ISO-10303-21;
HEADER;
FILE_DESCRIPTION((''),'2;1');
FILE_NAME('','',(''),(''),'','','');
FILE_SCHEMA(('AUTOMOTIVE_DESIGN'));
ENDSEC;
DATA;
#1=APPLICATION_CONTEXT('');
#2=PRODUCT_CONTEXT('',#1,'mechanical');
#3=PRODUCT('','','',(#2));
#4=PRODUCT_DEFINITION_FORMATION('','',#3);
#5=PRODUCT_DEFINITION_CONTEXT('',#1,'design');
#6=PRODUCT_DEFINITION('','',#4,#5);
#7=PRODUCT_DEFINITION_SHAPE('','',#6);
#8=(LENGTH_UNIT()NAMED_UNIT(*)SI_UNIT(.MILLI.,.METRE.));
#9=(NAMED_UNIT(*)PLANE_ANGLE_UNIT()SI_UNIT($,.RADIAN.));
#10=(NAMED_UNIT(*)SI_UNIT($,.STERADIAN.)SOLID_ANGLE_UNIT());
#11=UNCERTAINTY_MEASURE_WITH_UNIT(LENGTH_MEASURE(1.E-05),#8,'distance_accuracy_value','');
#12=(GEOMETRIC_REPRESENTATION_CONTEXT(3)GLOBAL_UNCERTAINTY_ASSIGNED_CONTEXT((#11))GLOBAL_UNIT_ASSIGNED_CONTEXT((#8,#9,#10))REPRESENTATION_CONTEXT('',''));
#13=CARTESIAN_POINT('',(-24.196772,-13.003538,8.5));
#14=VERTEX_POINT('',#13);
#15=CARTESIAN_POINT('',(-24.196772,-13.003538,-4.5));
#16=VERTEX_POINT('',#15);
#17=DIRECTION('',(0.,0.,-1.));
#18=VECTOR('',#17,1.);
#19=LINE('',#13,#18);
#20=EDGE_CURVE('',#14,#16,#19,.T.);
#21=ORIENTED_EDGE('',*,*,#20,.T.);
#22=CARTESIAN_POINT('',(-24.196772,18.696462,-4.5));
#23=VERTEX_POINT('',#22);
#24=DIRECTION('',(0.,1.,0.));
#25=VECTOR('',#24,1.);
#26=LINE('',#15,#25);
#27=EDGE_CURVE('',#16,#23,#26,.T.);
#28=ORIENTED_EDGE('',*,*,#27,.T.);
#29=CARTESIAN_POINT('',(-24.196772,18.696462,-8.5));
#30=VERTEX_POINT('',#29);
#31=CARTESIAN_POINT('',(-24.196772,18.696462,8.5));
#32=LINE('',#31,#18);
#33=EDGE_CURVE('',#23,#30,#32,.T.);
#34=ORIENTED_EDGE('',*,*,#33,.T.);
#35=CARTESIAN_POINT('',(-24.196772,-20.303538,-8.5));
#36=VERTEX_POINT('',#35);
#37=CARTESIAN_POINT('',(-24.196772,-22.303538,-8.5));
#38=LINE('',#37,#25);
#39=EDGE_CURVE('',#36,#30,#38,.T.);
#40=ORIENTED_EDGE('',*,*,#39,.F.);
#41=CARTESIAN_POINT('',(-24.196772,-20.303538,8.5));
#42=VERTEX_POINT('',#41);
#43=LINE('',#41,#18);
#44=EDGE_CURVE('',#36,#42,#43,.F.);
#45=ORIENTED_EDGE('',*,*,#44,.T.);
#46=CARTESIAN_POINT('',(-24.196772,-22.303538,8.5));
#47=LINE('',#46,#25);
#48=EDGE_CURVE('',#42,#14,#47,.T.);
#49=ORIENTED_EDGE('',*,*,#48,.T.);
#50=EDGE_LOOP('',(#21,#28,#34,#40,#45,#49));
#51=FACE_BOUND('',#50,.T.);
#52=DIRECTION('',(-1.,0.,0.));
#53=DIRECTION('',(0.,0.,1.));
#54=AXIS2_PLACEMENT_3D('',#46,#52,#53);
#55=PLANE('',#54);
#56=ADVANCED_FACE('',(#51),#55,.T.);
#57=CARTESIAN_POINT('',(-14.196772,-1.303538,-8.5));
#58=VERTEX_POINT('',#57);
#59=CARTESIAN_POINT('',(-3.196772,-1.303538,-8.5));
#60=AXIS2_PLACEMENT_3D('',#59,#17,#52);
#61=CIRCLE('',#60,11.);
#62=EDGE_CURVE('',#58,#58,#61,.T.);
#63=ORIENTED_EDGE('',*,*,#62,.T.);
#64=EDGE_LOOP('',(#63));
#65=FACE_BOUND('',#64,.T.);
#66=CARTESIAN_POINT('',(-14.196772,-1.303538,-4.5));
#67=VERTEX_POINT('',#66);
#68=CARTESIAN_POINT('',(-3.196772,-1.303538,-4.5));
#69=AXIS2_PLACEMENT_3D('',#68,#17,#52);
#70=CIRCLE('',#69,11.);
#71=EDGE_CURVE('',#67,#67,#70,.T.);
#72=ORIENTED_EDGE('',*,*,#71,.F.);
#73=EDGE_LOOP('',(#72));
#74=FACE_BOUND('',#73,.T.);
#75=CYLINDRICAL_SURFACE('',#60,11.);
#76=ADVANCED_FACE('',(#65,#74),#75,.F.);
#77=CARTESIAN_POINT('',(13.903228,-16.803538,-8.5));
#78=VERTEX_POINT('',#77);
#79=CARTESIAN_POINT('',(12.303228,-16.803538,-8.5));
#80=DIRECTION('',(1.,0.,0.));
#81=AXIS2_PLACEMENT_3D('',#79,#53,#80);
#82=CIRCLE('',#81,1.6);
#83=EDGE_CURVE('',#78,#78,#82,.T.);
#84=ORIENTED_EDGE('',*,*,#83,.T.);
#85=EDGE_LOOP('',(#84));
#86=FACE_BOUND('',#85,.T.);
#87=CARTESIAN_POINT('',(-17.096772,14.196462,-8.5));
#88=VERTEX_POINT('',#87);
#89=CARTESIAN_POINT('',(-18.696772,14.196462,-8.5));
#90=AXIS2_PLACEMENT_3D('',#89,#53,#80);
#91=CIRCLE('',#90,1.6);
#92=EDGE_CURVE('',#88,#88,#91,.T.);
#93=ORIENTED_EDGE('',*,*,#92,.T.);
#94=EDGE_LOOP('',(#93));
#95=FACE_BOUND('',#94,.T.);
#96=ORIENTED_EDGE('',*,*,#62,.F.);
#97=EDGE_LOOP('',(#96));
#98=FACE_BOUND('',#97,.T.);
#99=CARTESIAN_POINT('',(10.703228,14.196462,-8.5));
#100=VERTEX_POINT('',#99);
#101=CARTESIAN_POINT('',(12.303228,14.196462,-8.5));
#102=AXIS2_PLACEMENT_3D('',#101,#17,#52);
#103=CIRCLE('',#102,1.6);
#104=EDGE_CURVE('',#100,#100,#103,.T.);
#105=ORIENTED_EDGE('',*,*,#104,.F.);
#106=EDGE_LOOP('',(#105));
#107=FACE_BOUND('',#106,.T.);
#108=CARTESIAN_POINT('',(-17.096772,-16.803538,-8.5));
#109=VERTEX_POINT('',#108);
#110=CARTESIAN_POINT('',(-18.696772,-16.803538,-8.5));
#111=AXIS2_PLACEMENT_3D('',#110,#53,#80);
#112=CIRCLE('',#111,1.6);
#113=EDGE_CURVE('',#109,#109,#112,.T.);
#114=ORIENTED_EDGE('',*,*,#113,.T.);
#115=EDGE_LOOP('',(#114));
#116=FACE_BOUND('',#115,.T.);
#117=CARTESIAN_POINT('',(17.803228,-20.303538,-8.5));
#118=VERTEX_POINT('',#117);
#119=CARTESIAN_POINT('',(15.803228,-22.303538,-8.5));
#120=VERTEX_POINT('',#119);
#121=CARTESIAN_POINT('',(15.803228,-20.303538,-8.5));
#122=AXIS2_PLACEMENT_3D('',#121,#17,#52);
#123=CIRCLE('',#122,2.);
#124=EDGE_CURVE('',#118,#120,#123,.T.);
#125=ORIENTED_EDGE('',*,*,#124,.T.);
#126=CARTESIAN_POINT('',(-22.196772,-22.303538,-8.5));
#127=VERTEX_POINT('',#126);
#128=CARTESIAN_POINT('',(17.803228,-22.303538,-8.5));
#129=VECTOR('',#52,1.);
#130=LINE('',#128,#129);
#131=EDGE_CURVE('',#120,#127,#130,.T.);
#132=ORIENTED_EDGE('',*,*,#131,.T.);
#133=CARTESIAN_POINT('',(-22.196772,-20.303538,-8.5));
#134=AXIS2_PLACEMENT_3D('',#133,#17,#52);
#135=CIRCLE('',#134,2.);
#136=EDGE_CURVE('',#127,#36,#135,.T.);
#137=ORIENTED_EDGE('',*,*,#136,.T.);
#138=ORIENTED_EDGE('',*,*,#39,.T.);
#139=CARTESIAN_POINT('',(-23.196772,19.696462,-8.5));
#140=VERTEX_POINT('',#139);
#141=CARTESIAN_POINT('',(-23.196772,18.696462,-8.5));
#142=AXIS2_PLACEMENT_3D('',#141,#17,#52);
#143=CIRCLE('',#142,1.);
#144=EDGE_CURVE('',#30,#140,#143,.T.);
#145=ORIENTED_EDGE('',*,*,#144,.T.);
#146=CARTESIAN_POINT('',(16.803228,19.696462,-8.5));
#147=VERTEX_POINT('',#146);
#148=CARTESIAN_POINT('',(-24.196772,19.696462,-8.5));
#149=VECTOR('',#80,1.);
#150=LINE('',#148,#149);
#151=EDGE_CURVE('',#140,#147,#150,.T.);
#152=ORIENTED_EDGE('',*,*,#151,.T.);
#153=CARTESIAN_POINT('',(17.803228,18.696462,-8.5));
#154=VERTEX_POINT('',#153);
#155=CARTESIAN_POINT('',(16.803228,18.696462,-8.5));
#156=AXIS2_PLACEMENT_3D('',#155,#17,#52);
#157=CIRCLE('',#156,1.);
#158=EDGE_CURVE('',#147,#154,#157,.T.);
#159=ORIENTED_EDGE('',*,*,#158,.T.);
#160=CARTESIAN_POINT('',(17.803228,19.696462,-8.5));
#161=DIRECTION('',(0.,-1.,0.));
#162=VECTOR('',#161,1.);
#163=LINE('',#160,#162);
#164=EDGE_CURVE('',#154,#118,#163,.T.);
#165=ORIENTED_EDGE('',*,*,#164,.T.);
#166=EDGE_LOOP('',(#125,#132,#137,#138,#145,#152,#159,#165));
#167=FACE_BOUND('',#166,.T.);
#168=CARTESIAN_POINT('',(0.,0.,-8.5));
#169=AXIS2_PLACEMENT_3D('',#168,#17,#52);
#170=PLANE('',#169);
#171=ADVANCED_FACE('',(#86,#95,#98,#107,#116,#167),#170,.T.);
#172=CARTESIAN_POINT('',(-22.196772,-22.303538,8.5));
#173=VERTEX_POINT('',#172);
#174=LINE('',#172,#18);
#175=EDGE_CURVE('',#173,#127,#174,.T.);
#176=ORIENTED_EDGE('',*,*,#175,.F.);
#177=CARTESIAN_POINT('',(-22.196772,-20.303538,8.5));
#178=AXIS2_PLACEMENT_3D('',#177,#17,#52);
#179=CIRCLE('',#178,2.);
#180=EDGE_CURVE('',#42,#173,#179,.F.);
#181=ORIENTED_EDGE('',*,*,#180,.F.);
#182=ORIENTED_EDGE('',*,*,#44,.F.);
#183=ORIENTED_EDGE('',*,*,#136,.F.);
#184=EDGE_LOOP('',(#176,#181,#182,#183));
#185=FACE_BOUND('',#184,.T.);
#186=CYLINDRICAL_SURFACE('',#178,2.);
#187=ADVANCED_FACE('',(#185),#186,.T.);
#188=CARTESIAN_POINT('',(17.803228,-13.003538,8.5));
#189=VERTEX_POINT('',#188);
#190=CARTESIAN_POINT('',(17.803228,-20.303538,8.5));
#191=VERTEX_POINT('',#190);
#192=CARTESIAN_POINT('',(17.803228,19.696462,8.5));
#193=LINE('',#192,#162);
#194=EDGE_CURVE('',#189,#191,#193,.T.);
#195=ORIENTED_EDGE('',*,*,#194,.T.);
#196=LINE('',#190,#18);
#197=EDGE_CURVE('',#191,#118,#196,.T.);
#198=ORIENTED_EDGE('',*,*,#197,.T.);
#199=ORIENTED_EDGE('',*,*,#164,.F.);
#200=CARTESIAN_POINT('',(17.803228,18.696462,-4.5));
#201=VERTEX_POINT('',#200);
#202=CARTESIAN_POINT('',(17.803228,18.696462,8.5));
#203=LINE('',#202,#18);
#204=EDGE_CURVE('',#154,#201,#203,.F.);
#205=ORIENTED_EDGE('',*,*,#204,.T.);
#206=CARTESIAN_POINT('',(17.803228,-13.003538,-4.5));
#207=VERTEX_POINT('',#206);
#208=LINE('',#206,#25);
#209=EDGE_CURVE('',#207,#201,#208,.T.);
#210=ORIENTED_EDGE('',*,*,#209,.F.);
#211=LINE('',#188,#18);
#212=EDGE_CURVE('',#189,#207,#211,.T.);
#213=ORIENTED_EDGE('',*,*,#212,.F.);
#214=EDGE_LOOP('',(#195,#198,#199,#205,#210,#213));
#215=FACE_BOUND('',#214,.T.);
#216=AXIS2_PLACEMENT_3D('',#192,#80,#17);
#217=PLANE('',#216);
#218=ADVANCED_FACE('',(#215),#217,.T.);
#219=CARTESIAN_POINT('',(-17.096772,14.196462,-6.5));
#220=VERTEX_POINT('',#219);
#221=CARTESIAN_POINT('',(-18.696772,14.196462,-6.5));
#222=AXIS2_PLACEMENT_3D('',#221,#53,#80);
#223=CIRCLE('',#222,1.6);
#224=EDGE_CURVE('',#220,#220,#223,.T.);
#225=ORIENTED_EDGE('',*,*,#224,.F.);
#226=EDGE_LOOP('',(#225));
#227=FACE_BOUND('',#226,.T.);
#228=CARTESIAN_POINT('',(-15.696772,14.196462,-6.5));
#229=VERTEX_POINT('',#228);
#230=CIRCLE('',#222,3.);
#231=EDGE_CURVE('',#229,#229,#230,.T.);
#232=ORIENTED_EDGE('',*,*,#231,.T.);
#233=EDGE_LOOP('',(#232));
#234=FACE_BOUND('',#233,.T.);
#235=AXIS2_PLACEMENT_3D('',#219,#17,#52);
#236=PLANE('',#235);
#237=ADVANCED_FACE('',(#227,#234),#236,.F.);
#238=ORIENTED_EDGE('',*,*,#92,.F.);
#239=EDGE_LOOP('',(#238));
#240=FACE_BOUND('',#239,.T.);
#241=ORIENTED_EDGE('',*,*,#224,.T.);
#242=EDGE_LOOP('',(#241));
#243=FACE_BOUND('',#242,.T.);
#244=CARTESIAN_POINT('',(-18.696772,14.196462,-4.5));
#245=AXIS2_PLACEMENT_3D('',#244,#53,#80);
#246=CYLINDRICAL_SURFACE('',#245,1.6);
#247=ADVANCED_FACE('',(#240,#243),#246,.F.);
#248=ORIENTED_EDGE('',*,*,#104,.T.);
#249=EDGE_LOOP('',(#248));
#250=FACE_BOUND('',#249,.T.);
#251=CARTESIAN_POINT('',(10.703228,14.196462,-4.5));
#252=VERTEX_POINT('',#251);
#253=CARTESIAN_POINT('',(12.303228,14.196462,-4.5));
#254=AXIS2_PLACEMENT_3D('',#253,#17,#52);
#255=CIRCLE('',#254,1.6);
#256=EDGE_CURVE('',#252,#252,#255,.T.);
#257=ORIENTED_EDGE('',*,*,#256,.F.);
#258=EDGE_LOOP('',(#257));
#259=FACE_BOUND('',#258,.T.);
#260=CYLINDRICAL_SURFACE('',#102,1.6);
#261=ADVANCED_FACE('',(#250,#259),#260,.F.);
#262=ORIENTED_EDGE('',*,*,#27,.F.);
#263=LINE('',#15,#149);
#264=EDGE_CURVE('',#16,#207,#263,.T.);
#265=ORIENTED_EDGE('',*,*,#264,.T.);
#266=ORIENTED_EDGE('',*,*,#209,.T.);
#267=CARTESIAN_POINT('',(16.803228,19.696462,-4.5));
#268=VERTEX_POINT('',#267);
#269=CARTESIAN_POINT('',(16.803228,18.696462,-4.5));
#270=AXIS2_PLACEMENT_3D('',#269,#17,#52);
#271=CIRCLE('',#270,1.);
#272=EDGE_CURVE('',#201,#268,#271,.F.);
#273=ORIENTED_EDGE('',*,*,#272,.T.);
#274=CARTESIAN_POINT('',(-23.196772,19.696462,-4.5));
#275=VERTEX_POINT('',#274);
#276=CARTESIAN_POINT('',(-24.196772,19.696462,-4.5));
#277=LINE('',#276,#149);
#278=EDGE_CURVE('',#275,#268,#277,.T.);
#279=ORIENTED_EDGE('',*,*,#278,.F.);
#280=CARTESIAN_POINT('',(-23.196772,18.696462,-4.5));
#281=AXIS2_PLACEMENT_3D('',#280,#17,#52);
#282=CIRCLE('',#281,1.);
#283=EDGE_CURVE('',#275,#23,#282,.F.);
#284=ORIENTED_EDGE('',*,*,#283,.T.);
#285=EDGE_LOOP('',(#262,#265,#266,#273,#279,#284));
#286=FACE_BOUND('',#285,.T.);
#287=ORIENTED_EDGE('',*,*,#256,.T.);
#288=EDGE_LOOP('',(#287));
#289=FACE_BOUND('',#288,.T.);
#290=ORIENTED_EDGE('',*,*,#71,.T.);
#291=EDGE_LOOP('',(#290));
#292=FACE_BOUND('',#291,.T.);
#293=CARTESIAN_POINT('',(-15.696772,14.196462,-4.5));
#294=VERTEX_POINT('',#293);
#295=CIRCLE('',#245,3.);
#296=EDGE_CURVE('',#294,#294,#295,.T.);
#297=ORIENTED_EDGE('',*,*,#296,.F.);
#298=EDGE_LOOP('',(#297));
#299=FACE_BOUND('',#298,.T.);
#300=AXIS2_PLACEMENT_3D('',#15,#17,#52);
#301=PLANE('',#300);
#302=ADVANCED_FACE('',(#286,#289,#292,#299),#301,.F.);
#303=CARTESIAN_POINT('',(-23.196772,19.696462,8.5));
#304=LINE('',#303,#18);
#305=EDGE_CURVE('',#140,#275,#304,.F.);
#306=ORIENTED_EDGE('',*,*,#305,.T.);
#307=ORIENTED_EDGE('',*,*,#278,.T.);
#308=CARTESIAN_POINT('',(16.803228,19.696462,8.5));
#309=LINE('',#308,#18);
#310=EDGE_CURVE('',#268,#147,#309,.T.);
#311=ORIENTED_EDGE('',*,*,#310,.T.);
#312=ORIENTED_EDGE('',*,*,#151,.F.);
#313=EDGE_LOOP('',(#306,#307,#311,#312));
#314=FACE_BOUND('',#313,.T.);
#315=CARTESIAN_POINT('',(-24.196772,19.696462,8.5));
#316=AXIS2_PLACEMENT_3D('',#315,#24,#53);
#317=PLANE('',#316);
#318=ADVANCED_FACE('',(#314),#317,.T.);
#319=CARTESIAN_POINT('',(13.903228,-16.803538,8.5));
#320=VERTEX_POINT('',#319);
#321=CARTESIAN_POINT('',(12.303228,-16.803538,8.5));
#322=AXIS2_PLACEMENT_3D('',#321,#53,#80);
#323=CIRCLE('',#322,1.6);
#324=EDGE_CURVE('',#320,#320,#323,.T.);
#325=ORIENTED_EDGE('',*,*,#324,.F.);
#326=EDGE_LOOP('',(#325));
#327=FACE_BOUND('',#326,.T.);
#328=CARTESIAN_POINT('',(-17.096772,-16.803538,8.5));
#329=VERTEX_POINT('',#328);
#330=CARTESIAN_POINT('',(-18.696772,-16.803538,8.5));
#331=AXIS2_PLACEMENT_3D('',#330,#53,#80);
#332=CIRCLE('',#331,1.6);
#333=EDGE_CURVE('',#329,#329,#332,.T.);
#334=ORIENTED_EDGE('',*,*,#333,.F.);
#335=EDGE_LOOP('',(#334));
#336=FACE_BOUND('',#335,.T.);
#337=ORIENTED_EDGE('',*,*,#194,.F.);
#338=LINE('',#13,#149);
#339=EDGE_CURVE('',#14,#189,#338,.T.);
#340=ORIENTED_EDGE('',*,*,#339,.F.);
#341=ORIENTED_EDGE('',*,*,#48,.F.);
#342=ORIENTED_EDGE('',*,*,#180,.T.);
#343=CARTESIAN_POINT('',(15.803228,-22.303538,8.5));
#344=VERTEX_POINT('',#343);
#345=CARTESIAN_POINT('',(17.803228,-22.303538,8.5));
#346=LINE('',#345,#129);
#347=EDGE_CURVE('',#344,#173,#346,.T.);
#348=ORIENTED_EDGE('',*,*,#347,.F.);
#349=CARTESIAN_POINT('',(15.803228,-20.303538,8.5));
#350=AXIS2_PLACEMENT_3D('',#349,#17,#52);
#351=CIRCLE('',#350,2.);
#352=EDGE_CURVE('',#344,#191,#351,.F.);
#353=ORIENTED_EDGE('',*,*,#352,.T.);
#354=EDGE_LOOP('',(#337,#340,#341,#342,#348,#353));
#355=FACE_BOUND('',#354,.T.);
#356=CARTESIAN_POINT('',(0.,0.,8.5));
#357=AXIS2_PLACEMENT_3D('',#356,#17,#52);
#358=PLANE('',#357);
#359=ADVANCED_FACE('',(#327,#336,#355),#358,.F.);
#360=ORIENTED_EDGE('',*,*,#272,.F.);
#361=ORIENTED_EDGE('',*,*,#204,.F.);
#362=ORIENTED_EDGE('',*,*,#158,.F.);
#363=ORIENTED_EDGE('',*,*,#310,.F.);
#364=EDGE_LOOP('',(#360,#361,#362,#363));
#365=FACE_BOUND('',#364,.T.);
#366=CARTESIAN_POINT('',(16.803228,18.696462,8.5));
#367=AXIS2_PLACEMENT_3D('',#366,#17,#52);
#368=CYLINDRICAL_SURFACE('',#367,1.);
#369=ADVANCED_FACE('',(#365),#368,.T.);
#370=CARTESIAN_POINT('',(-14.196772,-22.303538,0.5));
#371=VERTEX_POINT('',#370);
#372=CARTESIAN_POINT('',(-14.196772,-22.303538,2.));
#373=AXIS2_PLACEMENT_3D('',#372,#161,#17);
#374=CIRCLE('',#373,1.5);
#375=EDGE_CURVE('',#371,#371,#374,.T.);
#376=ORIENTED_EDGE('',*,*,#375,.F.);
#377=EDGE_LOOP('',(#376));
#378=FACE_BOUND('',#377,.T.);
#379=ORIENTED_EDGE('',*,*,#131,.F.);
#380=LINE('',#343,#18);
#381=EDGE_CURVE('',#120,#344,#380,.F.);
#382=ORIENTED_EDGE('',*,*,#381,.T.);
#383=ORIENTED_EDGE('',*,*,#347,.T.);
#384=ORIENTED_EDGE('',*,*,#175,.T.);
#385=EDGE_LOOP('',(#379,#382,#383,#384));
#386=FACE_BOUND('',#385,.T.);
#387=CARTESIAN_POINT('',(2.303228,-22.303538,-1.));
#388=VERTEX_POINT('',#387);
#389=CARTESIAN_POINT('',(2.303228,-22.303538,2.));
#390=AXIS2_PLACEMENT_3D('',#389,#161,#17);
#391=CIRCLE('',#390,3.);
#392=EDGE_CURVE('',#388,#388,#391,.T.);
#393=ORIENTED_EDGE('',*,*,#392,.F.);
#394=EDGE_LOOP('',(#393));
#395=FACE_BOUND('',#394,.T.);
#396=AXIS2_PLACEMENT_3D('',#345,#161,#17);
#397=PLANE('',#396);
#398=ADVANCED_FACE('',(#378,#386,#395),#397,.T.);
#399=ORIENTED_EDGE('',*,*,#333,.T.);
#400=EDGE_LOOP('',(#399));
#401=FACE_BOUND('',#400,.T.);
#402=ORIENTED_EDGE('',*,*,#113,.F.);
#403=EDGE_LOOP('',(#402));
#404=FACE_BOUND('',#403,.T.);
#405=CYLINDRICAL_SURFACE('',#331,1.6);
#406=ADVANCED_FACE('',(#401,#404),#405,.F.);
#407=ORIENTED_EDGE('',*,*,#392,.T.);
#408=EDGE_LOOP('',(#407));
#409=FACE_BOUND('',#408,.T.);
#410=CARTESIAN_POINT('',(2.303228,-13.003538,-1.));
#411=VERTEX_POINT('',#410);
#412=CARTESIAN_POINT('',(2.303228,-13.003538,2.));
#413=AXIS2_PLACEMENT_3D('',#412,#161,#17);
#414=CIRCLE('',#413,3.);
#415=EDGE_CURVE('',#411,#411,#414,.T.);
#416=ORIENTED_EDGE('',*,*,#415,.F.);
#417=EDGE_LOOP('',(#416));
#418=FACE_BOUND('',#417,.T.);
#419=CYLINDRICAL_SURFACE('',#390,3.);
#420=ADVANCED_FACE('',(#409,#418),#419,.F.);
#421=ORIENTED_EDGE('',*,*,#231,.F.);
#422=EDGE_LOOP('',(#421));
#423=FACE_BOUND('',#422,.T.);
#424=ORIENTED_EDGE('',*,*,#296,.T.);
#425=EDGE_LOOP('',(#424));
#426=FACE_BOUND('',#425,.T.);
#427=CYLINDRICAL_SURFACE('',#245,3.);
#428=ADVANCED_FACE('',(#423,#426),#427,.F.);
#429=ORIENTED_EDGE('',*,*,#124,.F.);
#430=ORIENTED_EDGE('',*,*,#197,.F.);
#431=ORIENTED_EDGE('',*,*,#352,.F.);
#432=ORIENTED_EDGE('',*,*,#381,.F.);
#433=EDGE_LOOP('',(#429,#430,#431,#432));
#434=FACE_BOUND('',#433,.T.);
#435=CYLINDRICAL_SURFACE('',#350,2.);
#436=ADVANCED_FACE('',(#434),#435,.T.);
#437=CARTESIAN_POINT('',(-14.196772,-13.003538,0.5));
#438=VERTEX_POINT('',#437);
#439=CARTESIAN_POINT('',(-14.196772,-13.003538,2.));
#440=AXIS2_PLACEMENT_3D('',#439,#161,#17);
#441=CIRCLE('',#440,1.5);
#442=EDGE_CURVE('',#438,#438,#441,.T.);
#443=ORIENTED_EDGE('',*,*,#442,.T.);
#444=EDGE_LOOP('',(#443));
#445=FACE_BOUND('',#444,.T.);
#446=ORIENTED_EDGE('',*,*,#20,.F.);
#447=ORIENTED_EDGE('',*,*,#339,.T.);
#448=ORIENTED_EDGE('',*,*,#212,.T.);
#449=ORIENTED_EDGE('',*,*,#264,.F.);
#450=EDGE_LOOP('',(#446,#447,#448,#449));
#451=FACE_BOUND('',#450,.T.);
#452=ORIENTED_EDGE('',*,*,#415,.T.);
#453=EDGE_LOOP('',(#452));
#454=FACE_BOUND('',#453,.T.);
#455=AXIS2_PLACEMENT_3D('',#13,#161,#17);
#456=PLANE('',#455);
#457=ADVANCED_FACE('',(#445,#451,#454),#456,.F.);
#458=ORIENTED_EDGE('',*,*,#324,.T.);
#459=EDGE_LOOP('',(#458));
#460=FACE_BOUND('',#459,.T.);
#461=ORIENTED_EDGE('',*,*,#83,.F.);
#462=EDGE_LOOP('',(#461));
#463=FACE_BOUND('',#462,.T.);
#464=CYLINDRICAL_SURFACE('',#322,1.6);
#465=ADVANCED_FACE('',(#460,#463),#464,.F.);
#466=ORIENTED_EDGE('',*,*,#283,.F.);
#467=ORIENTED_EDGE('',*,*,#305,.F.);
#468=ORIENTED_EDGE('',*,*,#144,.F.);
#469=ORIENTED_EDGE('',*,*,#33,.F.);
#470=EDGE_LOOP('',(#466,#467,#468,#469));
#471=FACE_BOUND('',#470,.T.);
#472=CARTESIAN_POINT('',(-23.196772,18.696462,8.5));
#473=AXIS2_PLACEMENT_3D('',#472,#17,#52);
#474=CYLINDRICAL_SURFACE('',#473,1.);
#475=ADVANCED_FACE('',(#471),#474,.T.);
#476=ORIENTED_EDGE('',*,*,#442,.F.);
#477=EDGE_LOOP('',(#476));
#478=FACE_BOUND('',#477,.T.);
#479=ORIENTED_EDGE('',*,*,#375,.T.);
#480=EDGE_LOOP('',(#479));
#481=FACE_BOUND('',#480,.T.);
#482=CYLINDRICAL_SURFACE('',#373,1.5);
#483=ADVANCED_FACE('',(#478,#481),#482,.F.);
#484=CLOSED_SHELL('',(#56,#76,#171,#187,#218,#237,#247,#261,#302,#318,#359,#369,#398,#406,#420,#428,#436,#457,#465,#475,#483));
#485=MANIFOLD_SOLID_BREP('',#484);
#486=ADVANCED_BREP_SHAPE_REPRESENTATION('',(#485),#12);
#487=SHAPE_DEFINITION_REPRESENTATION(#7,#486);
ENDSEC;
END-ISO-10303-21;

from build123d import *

# Parameters (mm, degrees)
SKETCH1_W                                        = 42
SKETCH1_H                                        = 42
BOSS_EXTRUDE1_DEPTH                              = 17
SKETCH2_W                                        = 13
SKETCH2_H                                        = 32.7
CUT_EXTRUDE1_DEPTH                               = 49.30836175
F_22_0_22_DIAMETER_HOLE1_D                       = 22
F_22_0_22_DIAMETER_HOLE1_DEPTH                   = 17
F_3_2_3_2_DIAMETER_HOLE1_D                       = 3.2
F_3_2_3_2_DIAMETER_HOLE1_DEPTH                   = 17
F_3_2_3_2_DIAMETER_HOLE2_D                       = 3.2
F_6_0_6_DIAMETER_HOLE1_D                         = 6
F_6_0_6_DIAMETER_HOLE1_DEPTH                     = 42
F_3_0_3_DIAMETER_HOLE1_D                         = 3
F_3_0_3_DIAMETER_HOLE1_DEPTH                     = 42
CBORE_FOR_M3_HEX_HEAD_MACHINE_SCREW1_D           = 3.2
CBORE_FOR_M3_HEX_HEAD_MACHINE_SCREW1_CBORE_D     = 6
CBORE_FOR_M3_HEX_HEAD_MACHINE_SCREW1_CBORE_DEPTH = 2
FILLET1_R                                        = 1
FILLET2_R                                        = 2


with BuildPart() as part:
    # Sketch1 → Boss-Extrude1 (new body)
    with BuildSketch(Plane(origin=(0, 0, -8.5), x_dir=(-1, 0, 0), z_dir=(0, 0, -1))):
        with Locations((3.196772144, -1.303538171)):
            Rectangle(SKETCH1_W, SKETCH1_H)
    extrude(amount=-BOSS_EXTRUDE1_DEPTH)

    # Sketch2 → Cut-Extrude1 (cut, through all)
    with BuildSketch(Plane(origin=(17.803227856, 0, 0), x_dir=(0, 0, -1), z_dir=(1, 0, 0))):
        with Locations((-2, 3.346461829)):
            Rectangle(SKETCH2_W, SKETCH2_H)
    extrude(amount=-CUT_EXTRUDE1_DEPTH, mode=Mode.SUBTRACT)

    # Ø22.0 (22) Diameter Hole1
    with Locations(Plane(origin=(0, 0, -8.5), x_dir=(-1, 0, 0), z_dir=(0, 0, -1))):
        with Locations((3.196772144, -1.303538171)):
            Hole(F_22_0_22_DIAMETER_HOLE1_D / 2, depth=F_22_0_22_DIAMETER_HOLE1_DEPTH)

    # Ø3.2 (3.2) Diameter Hole1
    with Locations(Plane(origin=(0, 0, -8.5), x_dir=(-1, 0, 0), z_dir=(0, 0, -1))):
        with Locations((-12.303227856, 14.196461829)):
            Hole(F_3_2_3_2_DIAMETER_HOLE1_D / 2, depth=F_3_2_3_2_DIAMETER_HOLE1_DEPTH)

    # Ø3.2 (3.2) Diameter Hole2 (through all)
    with Locations(Plane.XY.offset(8.5)):
        with Locations((-18.696772144, -16.803538171), (12.303227856, -16.803538171)):
            Hole(F_3_2_3_2_DIAMETER_HOLE2_D / 2)

    # Ø6.0 (6) Diameter Hole1
    with Locations(Plane(origin=(0, -22.303538171, 0), x_dir=(-1, 0, 0), z_dir=(0, -1, 0))):
        with Locations((-2.303227856, -2)):
            Hole(F_6_0_6_DIAMETER_HOLE1_D / 2, depth=F_6_0_6_DIAMETER_HOLE1_DEPTH)

    # Ø3.0 (3) Diameter Hole1
    with Locations(Plane(origin=(0, -22.303538171, 0), x_dir=(-1, 0, 0), z_dir=(0, -1, 0))):
        with Locations((14.196772144, -2)):
            Hole(F_3_0_3_DIAMETER_HOLE1_D / 2, depth=F_3_0_3_DIAMETER_HOLE1_DEPTH)

    # CBORE for M3 Hex Head Machine Screw1 (through all)
    with Locations(Plane.XY.offset(-4.5)):
        with Locations((-18.696772144, 14.196461829)):
            CounterBoreHole(CBORE_FOR_M3_HEX_HEAD_MACHINE_SCREW1_D / 2, CBORE_FOR_M3_HEX_HEAD_MACHINE_SCREW1_CBORE_D / 2, CBORE_FOR_M3_HEX_HEAD_MACHINE_SCREW1_CBORE_DEPTH)

    # Fillet1
    fillet1_edges = [part.edges().sort_by_distance(p)[0] for p in [
        (-24.196772144, 19.696461829, -6.5),
        (17.803227856, 19.696461829, -6.5),
    ]]
    fillet(fillet1_edges, radius=FILLET1_R)

    # Fillet2
    fillet2_edges = [part.edges().sort_by_distance(p)[0] for p in [
        (17.803227856, -22.303538171, 0),
        (-24.196772144, -22.303538171, 0),
    ]]
    fillet(fillet2_edges, radius=FILLET2_R)


solid = part.part
